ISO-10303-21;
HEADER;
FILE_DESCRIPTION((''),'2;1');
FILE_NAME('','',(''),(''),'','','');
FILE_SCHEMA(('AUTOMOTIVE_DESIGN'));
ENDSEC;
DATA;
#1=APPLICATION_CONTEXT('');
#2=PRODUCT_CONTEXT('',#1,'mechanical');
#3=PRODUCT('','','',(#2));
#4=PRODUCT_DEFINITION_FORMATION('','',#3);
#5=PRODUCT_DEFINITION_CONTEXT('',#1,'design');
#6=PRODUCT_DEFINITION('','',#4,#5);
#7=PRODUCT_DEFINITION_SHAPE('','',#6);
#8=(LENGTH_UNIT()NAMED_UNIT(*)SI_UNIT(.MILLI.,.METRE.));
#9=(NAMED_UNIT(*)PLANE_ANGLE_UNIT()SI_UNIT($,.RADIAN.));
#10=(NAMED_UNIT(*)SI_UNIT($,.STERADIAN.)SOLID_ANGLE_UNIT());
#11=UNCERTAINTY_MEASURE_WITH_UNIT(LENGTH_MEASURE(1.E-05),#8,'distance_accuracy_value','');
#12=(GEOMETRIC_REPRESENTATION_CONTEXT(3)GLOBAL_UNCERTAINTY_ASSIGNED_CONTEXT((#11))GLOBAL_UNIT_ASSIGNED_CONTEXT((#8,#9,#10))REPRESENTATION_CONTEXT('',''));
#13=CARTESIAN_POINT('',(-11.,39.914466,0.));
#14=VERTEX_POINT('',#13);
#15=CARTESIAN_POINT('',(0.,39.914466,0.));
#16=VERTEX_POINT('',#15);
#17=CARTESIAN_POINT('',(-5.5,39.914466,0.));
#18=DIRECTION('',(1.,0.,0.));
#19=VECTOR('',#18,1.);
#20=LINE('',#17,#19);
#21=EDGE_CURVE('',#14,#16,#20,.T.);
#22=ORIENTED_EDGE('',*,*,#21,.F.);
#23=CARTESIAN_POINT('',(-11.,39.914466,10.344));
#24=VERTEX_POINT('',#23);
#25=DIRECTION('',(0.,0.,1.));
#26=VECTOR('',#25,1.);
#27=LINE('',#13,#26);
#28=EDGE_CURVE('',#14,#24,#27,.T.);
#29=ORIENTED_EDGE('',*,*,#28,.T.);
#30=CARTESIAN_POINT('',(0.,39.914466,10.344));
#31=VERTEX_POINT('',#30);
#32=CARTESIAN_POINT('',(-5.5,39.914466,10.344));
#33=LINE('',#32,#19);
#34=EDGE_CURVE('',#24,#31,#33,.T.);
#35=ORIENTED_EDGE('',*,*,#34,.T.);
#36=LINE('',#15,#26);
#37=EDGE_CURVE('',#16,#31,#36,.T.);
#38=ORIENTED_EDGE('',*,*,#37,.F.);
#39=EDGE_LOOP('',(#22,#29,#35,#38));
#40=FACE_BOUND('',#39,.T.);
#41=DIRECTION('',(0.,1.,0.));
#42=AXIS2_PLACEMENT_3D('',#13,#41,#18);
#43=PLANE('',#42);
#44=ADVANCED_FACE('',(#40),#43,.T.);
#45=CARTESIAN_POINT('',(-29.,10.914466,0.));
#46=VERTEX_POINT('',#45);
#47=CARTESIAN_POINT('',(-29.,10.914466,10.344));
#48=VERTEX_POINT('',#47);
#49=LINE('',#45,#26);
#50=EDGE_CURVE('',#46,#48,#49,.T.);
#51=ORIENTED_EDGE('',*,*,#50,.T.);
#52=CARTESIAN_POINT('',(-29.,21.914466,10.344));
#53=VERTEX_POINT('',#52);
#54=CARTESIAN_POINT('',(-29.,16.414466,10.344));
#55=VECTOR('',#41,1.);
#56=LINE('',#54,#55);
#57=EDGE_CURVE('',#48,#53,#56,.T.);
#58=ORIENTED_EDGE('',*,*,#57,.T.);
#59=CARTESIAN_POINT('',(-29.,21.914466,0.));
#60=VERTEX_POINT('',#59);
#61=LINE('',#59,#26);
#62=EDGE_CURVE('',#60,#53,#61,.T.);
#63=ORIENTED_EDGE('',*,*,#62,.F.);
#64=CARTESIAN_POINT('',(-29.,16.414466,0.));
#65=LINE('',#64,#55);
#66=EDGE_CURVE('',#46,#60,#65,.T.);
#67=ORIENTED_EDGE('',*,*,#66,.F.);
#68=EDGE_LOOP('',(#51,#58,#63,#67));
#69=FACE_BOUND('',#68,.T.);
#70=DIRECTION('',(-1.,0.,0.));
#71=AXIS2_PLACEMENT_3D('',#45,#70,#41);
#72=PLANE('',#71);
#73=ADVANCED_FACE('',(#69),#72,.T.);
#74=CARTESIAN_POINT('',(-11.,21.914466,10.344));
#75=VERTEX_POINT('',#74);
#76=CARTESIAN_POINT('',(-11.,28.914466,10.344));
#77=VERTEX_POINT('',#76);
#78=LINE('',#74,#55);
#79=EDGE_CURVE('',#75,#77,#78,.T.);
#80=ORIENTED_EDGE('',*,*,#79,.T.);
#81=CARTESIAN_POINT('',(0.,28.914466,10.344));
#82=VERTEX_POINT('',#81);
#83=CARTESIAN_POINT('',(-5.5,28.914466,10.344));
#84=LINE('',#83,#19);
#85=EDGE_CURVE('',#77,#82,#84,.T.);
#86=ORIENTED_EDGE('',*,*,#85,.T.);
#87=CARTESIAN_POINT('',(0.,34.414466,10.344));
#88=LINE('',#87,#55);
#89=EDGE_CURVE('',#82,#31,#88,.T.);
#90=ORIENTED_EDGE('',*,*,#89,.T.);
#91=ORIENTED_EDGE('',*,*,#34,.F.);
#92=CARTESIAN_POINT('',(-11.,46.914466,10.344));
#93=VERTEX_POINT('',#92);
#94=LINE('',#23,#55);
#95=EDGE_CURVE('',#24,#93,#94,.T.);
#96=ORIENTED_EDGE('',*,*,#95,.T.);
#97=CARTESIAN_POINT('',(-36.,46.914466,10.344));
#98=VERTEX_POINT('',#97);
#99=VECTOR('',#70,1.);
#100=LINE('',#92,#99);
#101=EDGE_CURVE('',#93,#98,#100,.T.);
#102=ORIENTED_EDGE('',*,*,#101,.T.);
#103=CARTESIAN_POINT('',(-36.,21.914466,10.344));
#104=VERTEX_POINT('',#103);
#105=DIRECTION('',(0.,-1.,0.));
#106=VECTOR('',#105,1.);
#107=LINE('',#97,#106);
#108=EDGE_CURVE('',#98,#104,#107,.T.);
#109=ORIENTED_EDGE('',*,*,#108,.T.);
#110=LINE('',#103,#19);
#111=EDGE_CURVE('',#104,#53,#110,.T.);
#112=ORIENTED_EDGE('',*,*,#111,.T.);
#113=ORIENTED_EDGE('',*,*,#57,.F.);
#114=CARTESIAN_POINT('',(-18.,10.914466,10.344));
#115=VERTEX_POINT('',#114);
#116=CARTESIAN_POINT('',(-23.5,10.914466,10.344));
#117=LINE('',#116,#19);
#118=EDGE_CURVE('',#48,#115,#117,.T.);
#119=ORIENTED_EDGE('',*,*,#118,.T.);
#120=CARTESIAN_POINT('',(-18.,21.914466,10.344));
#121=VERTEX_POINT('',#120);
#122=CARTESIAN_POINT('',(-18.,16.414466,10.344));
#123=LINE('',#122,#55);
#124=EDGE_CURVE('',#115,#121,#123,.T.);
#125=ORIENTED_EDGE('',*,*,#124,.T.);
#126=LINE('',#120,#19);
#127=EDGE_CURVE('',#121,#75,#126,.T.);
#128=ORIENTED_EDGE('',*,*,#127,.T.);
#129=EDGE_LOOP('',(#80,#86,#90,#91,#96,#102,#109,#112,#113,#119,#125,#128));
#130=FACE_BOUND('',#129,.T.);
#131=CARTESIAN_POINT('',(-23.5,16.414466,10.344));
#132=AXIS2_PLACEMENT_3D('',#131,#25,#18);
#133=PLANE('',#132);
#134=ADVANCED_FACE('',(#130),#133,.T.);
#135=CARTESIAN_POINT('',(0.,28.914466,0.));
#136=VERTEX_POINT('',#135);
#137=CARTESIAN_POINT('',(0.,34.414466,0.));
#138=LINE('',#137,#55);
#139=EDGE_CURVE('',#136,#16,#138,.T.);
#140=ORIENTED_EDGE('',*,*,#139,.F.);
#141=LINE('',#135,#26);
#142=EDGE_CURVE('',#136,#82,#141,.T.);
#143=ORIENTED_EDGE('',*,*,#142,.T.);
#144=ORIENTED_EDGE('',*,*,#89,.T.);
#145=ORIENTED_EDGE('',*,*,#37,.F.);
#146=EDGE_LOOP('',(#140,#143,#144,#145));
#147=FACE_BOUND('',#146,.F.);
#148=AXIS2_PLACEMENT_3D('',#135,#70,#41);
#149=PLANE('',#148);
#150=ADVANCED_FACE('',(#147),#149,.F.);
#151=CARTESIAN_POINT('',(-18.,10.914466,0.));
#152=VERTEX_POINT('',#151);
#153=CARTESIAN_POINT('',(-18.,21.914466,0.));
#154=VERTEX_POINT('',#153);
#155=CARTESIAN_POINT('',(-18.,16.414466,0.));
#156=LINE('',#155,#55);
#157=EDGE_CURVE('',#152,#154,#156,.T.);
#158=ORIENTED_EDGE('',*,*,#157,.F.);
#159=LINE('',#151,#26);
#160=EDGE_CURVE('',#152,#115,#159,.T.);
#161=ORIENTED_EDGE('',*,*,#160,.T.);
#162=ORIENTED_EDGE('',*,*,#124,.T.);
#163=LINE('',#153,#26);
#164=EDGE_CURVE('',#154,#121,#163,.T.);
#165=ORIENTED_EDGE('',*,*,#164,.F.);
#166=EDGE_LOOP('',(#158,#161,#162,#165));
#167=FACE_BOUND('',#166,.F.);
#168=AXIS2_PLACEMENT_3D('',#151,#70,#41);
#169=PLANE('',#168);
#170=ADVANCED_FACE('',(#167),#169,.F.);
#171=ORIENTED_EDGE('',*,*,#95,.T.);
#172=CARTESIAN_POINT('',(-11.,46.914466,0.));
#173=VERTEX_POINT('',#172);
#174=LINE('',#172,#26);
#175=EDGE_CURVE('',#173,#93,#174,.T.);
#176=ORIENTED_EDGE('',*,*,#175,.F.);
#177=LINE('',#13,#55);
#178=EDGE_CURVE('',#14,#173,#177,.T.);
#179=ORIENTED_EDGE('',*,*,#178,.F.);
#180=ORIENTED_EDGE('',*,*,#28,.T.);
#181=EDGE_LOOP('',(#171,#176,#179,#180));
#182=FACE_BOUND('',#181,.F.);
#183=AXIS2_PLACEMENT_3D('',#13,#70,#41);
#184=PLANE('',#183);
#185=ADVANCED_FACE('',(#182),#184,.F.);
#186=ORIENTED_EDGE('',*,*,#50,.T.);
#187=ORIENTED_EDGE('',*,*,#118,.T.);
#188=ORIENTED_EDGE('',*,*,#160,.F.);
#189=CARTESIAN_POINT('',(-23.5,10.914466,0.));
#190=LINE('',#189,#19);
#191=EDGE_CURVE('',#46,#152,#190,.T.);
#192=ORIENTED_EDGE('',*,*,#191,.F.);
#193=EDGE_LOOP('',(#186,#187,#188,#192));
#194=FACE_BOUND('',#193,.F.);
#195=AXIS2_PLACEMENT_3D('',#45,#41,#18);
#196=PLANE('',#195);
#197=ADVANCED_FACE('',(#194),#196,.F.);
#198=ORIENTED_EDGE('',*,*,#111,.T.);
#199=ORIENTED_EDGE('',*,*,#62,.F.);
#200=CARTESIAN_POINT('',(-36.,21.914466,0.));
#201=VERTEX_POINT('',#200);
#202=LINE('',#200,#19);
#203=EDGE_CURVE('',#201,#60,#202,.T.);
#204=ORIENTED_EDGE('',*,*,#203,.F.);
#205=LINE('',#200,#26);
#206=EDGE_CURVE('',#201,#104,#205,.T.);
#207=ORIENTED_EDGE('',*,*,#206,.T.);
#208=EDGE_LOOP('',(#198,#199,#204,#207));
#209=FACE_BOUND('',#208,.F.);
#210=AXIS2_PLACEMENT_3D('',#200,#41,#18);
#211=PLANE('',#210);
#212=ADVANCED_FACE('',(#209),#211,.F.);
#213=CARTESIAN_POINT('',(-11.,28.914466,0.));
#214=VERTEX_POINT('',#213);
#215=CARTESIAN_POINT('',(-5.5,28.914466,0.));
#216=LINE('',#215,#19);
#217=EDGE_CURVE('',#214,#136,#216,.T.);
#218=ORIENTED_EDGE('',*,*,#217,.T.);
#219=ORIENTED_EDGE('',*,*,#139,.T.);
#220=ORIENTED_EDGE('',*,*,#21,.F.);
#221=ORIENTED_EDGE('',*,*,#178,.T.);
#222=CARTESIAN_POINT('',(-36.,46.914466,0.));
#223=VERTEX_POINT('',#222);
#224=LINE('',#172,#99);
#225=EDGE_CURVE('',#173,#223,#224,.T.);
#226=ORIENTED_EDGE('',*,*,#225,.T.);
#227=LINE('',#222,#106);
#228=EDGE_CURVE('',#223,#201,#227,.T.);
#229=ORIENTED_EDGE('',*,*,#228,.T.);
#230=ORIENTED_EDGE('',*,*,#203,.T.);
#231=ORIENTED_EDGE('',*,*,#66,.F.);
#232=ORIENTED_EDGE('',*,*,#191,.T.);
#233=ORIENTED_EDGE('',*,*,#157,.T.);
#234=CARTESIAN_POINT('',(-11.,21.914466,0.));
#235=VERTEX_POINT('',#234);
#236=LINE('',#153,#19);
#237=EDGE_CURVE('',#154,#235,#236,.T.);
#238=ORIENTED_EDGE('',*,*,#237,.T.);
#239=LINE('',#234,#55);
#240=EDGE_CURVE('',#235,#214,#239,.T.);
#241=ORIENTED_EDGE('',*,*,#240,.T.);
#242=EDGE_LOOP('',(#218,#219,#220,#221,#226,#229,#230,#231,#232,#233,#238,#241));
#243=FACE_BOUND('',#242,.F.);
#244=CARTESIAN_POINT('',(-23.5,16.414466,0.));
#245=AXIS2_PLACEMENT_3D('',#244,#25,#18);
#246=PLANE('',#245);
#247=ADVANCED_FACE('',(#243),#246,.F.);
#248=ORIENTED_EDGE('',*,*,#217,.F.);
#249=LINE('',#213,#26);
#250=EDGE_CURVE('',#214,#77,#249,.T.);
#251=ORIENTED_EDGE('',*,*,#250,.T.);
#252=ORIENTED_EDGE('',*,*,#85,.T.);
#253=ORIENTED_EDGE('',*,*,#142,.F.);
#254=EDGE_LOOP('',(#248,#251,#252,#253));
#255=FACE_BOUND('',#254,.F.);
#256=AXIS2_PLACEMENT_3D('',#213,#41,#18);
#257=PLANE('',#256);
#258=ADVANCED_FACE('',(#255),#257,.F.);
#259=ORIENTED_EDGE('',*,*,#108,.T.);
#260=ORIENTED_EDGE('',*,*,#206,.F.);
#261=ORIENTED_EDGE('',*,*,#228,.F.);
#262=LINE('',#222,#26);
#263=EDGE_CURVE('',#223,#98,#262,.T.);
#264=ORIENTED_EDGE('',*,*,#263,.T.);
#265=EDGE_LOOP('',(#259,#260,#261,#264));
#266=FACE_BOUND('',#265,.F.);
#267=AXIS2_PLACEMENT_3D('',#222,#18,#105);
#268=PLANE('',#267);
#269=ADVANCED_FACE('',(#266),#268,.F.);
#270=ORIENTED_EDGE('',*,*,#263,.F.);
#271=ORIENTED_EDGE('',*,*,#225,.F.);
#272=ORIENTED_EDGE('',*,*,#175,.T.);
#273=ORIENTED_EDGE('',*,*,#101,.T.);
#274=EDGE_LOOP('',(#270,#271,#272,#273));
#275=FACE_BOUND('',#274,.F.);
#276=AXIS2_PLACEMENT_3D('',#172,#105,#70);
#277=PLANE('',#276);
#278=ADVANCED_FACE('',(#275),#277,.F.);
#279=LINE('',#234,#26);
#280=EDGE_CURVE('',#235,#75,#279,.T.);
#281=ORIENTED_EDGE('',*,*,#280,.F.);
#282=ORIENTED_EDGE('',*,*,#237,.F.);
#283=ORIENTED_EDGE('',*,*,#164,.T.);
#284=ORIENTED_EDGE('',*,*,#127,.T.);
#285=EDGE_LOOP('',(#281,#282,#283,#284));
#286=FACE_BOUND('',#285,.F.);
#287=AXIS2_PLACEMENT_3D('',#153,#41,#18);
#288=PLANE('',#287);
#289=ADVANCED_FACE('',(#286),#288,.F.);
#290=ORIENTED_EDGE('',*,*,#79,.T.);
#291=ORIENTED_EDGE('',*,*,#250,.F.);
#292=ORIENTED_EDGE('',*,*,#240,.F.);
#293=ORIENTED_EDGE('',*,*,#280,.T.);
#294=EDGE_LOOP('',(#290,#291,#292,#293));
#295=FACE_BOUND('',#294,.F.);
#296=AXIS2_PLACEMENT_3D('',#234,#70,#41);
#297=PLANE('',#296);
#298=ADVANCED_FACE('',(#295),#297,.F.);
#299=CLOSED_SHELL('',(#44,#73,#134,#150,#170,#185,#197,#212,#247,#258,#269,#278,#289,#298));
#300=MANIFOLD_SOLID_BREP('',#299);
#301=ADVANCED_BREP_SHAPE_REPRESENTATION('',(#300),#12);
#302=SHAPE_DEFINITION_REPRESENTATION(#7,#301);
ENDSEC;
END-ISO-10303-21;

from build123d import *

# Parameters (mm, degrees)
F0_W     = 11
F0_H     = 11
F1_DEPTH = 10.344


with BuildPart() as f1:
    # F0 (on Top) → F1 (new body)
    with BuildSketch(Plane.XY):
        with Locations((-23.5, 16.414466)):
            Rectangle(F0_W, F0_H)
        with Locations((-5.5, 34.414466)):
            Rectangle(F0_W, F0_H)
        Polygon((-11, 46.914466), (-36, 46.914466), (-36, 21.914466), (-29, 21.914466), (-18, 21.914466), (-11, 21.914466), (-11, 28.914466), (-11, 39.914466), align=None)
    extrude(amount=F1_DEPTH)


solid = f1.part
